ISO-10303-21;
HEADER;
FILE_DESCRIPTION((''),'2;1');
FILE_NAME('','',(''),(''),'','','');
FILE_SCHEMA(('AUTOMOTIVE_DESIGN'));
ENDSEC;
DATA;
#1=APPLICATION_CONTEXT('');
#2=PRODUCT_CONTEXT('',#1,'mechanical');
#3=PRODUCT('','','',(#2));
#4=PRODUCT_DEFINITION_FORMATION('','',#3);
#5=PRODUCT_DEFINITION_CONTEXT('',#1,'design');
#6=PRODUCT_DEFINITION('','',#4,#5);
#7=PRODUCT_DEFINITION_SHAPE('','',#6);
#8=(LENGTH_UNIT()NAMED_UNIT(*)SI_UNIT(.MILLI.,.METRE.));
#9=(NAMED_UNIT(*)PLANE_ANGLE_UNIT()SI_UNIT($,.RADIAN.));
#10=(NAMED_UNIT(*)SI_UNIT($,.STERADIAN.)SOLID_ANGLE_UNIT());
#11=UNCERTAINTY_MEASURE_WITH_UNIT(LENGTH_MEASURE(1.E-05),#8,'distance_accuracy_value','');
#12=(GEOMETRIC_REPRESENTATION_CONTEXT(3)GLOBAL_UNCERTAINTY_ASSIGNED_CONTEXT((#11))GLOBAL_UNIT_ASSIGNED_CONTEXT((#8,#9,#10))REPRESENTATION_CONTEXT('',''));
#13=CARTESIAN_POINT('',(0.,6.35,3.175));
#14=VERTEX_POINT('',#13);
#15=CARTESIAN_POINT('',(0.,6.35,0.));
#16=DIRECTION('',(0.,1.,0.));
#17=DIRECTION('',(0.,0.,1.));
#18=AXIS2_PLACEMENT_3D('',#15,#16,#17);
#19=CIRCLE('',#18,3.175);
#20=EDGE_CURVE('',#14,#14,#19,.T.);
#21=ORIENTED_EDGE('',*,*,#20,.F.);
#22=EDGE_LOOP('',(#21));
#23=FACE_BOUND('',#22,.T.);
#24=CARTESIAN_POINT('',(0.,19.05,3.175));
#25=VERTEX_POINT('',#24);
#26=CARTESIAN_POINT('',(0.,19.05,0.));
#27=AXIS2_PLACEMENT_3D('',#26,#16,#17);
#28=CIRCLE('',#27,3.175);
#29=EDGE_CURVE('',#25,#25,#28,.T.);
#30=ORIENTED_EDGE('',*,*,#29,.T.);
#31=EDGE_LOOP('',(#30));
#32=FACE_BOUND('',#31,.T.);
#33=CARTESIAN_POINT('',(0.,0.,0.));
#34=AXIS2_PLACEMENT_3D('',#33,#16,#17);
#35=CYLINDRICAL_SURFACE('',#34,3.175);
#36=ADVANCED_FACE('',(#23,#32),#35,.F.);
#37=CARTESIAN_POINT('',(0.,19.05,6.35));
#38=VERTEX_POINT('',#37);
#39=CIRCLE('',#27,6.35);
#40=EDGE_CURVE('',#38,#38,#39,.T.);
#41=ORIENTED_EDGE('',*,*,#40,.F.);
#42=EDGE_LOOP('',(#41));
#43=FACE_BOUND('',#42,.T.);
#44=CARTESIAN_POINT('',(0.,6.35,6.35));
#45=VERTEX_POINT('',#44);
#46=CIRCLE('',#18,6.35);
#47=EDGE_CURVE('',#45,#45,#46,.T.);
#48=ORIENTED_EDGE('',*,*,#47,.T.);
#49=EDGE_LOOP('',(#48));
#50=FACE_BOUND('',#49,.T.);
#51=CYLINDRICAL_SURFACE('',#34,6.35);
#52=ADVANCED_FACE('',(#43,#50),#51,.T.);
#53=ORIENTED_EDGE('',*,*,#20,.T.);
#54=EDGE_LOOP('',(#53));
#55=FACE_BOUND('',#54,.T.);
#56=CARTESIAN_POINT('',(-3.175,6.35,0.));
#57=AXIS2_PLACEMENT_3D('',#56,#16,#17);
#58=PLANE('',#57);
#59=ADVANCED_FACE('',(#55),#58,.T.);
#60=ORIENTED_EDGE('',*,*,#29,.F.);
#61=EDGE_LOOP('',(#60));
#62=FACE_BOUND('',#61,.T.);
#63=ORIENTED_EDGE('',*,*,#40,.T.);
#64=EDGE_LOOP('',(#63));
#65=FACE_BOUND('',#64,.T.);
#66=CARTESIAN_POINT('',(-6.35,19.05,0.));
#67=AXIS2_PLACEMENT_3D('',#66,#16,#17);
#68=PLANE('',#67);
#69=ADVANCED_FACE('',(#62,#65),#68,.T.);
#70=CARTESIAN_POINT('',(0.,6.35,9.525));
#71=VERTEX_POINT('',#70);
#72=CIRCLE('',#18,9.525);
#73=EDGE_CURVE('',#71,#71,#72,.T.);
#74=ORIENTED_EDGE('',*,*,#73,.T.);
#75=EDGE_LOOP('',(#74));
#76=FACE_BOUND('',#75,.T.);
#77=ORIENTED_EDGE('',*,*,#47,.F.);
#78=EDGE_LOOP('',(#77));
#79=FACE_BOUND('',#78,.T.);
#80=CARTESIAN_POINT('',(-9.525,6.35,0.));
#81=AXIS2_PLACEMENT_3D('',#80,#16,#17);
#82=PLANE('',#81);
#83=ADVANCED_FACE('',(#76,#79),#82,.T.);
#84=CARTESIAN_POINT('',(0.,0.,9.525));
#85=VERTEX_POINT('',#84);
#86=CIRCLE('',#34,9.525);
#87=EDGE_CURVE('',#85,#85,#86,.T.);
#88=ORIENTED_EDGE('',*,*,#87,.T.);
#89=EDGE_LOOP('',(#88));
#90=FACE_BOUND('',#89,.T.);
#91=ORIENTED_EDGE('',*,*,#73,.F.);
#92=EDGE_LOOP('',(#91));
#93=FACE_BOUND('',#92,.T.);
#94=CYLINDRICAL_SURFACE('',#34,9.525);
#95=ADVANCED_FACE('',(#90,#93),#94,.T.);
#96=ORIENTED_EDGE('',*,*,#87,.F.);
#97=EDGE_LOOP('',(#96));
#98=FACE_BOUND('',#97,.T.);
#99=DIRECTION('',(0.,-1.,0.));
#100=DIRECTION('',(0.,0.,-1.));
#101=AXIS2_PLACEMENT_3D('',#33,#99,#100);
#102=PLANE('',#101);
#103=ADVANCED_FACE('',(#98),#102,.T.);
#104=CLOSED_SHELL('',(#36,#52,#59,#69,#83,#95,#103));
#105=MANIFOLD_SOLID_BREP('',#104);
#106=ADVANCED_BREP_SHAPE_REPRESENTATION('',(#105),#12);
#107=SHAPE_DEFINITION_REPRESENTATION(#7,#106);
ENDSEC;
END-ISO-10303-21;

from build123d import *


with BuildPart() as part:
    # Sketch1 → Revolve1 (revolve)
    with BuildSketch(Plane.XY, mode=Mode.PRIVATE) as revolve1_sk:
        Polygon((0, 0), (-9.525, 0), (-9.525, 6.35), (-6.35, 6.35), (-6.35, 19.05), (-3.175, 19.05), (-3.175, 6.35), (0, 6.35), align=None)
    revolve(revolve1_sk.sketch.rotate(Axis((0, 0, 0), (0, -1, 0)), 270), axis=Axis((0, 0, 0), (0, -1, 0)))


solid = part.part
